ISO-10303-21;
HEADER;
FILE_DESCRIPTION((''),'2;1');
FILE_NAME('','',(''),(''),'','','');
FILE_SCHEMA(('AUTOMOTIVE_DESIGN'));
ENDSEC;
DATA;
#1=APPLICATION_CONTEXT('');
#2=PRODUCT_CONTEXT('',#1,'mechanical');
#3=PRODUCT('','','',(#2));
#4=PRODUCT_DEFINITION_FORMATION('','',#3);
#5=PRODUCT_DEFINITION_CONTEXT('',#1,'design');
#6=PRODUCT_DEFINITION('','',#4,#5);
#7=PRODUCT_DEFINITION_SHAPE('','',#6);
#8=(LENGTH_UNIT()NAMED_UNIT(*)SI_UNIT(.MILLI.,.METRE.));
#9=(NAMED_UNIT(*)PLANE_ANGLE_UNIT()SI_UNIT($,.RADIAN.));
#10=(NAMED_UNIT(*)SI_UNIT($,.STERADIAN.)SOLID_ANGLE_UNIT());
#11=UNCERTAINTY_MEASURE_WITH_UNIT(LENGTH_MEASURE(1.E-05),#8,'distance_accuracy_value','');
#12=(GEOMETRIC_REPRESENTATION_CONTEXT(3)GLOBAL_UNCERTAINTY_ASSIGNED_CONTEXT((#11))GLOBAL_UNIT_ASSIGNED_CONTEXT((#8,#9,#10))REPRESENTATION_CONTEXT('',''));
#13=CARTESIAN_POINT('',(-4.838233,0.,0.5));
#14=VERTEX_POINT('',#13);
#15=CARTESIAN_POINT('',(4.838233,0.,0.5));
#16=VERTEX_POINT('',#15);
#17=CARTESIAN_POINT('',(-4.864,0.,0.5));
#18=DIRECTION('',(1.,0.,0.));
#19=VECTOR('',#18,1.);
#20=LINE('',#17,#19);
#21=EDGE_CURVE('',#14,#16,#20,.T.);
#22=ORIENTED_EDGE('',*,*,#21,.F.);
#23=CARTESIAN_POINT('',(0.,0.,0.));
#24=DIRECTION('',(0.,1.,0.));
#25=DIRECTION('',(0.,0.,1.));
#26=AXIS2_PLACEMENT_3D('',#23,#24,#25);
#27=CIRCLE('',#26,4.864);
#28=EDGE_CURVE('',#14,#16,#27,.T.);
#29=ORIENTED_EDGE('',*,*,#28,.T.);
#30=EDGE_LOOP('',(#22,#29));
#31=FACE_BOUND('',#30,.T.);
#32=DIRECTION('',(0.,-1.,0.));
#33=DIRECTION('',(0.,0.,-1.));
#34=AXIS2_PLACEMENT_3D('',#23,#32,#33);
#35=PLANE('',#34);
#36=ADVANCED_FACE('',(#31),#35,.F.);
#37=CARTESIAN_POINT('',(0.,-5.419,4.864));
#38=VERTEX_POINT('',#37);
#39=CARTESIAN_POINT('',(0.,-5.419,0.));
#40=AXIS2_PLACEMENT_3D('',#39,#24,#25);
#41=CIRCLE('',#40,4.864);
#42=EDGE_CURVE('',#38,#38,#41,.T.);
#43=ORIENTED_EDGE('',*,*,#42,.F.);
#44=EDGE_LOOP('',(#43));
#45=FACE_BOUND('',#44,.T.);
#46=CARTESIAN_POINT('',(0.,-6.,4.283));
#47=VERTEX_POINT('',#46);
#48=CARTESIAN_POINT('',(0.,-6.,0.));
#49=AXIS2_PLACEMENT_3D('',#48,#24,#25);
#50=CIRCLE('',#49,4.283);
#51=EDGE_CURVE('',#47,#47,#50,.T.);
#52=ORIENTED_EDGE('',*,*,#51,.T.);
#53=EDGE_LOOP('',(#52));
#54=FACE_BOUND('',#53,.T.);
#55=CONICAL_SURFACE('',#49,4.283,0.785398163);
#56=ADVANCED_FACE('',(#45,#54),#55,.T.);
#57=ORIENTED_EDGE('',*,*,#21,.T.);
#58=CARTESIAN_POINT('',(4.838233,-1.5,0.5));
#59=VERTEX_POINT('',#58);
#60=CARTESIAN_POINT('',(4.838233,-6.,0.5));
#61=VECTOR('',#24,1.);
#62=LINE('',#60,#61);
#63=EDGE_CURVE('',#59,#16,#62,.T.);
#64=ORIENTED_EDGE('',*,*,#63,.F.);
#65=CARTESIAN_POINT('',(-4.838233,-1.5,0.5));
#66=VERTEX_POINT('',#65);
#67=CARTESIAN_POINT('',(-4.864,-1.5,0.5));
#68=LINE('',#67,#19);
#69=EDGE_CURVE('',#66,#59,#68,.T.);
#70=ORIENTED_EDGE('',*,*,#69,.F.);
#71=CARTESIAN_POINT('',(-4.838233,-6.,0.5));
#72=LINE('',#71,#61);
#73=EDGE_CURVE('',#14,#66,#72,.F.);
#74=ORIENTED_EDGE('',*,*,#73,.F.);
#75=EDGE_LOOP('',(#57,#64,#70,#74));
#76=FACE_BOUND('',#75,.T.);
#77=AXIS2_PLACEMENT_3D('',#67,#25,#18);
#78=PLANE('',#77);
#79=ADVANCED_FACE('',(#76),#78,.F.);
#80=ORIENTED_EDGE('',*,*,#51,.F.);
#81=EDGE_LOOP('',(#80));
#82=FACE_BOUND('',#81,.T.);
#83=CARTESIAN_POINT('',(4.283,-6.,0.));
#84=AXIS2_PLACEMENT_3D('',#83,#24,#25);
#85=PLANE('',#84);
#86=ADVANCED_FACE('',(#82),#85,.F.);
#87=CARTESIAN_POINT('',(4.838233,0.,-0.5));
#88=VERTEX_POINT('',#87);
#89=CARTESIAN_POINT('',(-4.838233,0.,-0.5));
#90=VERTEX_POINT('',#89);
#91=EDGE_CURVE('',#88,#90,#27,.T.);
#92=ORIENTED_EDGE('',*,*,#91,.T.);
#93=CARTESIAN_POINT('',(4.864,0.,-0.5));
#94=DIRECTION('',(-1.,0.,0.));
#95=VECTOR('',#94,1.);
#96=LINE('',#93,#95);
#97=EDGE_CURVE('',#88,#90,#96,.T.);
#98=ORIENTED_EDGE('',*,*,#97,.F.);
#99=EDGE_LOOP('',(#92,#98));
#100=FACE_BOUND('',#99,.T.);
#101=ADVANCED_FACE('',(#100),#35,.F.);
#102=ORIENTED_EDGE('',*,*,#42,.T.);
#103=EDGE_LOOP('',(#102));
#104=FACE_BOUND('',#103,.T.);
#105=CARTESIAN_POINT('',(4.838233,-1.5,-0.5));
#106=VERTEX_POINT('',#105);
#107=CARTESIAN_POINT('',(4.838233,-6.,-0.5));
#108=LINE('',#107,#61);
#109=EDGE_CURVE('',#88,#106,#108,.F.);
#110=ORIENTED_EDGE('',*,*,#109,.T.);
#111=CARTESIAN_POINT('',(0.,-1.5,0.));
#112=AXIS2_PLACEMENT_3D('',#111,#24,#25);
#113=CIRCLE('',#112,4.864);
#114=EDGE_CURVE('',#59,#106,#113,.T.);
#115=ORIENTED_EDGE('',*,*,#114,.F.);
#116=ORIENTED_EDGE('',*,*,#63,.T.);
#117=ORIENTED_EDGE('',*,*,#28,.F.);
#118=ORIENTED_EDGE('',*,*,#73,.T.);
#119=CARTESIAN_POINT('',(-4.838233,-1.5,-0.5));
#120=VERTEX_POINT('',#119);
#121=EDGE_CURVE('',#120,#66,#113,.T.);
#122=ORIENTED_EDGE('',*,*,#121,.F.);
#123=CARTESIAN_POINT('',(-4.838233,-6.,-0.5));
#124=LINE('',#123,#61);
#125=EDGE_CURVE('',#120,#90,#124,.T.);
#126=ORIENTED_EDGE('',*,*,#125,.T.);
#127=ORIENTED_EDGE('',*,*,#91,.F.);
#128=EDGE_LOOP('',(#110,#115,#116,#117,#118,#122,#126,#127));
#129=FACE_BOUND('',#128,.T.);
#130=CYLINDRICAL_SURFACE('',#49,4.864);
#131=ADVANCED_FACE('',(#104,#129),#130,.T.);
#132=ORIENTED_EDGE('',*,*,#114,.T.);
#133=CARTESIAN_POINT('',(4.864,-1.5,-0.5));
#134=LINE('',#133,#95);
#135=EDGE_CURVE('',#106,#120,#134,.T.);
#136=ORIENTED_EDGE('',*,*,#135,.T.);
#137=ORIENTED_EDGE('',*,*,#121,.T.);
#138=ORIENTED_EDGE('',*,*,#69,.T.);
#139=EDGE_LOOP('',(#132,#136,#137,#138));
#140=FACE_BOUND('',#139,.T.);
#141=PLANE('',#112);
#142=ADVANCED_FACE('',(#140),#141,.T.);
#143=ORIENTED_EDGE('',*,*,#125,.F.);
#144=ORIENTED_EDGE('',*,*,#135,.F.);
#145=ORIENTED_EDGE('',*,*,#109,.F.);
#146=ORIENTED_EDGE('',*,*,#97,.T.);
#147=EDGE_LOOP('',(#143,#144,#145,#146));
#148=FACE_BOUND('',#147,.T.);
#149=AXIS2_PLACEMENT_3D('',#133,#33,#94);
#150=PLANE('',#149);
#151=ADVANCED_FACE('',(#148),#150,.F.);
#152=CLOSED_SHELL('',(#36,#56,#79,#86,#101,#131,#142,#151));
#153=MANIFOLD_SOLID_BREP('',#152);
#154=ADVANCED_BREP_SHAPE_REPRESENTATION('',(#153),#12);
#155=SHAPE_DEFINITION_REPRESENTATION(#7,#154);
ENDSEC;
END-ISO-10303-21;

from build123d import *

# Parameters (mm, degrees)
SKETCH2_W          = 9.728
SKETCH2_H          = 1
CUT_EXTRUDE1_DEPTH = 1.5


with BuildPart() as part:
    # Sketch1 → Revolve1 (revolve)
    with BuildSketch(Plane.XY):
        Polygon((0, 0), (4.864, 0), (4.864, -5.419), (4.283, -6), (0, -6), align=None)
    revolve(axis=Axis((0, -6, 0), (0, 1, 0)))

    # Sketch2 → Cut-Extrude1 (cut)
    with BuildSketch(Plane(origin=(0, 0, 0), x_dir=(1, 0, 0), z_dir=(0, 1, 0))):
        Rectangle(SKETCH2_W, SKETCH2_H)
    extrude(amount=-CUT_EXTRUDE1_DEPTH, mode=Mode.SUBTRACT)


solid = part.part
